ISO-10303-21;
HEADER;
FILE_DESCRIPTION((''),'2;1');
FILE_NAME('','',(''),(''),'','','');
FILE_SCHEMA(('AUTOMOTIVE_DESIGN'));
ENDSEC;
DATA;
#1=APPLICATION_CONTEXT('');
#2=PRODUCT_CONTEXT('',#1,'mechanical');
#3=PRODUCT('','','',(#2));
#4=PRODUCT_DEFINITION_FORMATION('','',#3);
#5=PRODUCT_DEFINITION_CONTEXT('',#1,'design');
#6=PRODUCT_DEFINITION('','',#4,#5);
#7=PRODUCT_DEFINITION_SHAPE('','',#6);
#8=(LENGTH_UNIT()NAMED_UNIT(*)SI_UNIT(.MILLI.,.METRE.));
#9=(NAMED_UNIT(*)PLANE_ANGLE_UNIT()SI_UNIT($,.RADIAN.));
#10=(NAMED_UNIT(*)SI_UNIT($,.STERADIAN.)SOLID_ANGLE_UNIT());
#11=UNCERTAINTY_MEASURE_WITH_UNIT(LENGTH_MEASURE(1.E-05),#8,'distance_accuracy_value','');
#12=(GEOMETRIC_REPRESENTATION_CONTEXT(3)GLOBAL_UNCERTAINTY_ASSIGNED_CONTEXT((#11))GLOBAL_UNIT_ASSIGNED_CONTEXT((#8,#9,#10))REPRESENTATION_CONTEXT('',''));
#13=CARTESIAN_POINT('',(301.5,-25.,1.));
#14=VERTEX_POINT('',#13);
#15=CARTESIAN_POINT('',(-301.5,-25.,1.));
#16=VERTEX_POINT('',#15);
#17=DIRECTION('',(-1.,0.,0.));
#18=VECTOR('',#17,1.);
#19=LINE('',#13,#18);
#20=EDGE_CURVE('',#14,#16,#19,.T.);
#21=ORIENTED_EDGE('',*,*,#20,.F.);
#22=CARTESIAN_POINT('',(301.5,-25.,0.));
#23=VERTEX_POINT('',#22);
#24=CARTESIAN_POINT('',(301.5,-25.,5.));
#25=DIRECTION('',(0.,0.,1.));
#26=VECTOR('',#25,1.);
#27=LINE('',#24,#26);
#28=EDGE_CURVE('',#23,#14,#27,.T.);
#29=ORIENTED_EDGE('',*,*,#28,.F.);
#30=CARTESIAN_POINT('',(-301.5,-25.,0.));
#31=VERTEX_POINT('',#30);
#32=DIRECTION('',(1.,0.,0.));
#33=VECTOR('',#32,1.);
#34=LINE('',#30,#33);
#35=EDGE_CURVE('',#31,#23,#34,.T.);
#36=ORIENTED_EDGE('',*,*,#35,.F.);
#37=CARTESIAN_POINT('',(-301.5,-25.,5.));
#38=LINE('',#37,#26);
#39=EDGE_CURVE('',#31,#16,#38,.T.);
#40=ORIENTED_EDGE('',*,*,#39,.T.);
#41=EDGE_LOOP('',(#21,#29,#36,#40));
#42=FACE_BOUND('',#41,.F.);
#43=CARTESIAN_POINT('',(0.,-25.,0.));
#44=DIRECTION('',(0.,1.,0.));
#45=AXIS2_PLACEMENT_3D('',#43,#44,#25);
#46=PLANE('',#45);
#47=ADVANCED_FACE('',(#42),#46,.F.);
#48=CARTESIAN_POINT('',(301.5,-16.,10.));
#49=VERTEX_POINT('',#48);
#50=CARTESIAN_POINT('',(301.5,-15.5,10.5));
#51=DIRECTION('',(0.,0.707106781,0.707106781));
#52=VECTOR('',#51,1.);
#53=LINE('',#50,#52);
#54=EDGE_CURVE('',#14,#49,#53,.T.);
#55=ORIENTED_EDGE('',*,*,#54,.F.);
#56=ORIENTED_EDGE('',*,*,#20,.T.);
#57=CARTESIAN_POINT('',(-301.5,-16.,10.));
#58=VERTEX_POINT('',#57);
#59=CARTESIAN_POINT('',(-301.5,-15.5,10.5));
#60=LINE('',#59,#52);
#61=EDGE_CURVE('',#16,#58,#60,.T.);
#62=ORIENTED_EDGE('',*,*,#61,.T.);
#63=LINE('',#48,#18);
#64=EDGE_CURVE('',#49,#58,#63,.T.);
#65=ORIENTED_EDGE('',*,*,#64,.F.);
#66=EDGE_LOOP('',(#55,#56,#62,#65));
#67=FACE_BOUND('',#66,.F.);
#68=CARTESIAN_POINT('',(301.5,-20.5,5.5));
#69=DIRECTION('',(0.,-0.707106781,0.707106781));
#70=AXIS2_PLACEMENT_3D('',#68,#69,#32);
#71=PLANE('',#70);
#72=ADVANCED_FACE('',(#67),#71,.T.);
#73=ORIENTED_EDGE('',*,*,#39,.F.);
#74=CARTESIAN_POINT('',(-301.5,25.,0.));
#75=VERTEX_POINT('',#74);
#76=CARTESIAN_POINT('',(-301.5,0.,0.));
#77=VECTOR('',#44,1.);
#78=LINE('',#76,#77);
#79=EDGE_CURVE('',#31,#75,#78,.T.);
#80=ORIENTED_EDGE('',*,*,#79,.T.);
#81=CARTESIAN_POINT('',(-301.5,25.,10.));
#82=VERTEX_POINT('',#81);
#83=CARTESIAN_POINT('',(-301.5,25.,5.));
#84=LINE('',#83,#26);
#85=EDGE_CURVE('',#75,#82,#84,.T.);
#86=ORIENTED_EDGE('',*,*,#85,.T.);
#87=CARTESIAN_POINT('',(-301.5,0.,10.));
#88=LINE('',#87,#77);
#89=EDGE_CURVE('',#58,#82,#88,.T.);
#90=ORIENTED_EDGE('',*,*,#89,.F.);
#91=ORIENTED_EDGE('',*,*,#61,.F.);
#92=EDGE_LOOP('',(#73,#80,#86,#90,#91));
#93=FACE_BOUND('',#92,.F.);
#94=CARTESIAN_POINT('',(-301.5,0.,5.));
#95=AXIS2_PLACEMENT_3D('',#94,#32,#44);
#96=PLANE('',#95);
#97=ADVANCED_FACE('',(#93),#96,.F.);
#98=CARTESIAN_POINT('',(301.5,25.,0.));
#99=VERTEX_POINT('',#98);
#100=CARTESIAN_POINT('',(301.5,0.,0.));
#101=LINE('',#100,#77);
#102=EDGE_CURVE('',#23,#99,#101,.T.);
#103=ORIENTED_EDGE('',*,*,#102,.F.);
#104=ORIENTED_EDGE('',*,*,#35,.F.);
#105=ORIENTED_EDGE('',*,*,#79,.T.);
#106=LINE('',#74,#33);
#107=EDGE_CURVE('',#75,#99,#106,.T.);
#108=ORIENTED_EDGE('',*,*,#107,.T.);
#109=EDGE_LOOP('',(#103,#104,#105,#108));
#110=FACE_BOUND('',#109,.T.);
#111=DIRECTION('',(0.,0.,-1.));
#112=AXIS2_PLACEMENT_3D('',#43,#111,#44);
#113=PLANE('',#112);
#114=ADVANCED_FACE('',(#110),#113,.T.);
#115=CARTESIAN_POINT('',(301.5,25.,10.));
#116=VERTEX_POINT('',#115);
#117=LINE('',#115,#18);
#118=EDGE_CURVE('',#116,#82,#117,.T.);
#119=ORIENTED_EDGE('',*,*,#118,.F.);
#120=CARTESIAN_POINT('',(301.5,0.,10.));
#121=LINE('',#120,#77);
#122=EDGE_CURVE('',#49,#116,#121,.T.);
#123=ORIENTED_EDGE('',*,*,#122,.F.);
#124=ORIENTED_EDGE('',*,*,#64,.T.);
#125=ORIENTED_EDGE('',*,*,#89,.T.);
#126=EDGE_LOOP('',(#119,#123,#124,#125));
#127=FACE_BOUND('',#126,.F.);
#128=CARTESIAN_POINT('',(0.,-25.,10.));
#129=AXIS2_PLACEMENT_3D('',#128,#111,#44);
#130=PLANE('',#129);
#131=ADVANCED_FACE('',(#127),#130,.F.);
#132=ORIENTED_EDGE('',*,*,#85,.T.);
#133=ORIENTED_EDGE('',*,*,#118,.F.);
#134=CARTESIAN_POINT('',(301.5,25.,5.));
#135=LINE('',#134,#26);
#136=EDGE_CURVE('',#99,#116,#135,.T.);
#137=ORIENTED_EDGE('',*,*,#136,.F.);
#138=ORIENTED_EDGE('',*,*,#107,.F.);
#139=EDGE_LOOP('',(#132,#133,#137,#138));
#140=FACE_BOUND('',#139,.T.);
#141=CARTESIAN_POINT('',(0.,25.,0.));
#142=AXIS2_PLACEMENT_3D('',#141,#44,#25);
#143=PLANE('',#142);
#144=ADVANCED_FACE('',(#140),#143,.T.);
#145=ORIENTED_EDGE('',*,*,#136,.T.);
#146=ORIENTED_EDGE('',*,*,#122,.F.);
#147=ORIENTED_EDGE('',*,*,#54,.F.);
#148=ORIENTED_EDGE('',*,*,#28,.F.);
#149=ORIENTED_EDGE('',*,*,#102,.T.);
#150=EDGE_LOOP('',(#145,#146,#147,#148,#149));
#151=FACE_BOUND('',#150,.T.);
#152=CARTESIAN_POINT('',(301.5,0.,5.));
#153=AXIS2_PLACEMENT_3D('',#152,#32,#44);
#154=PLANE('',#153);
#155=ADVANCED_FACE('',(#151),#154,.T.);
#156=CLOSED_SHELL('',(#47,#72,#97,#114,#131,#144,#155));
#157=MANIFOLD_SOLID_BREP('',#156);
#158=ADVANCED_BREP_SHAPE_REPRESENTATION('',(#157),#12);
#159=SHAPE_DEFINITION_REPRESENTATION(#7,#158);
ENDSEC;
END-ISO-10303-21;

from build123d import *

# Parameters (mm, degrees)
F0_W     = 50
F0_H     = 10
F1_DEPTH = 301.5
F2_SIZE  = 9


with BuildPart() as f1:
    # F0 (on Right) → F1 (new body, symmetric)
    with BuildSketch(Plane.YZ):
        with Locations((0, 5)):
            Rectangle(F0_W, F0_H)
    extrude(amount=F1_DEPTH, both=True)

    # F2
    f2_edges = [f1.edges().sort_by_distance(p)[0] for p in [
        (0, -25, 10),
    ]]
    chamfer(f2_edges, length=F2_SIZE)


solid = f1.part
